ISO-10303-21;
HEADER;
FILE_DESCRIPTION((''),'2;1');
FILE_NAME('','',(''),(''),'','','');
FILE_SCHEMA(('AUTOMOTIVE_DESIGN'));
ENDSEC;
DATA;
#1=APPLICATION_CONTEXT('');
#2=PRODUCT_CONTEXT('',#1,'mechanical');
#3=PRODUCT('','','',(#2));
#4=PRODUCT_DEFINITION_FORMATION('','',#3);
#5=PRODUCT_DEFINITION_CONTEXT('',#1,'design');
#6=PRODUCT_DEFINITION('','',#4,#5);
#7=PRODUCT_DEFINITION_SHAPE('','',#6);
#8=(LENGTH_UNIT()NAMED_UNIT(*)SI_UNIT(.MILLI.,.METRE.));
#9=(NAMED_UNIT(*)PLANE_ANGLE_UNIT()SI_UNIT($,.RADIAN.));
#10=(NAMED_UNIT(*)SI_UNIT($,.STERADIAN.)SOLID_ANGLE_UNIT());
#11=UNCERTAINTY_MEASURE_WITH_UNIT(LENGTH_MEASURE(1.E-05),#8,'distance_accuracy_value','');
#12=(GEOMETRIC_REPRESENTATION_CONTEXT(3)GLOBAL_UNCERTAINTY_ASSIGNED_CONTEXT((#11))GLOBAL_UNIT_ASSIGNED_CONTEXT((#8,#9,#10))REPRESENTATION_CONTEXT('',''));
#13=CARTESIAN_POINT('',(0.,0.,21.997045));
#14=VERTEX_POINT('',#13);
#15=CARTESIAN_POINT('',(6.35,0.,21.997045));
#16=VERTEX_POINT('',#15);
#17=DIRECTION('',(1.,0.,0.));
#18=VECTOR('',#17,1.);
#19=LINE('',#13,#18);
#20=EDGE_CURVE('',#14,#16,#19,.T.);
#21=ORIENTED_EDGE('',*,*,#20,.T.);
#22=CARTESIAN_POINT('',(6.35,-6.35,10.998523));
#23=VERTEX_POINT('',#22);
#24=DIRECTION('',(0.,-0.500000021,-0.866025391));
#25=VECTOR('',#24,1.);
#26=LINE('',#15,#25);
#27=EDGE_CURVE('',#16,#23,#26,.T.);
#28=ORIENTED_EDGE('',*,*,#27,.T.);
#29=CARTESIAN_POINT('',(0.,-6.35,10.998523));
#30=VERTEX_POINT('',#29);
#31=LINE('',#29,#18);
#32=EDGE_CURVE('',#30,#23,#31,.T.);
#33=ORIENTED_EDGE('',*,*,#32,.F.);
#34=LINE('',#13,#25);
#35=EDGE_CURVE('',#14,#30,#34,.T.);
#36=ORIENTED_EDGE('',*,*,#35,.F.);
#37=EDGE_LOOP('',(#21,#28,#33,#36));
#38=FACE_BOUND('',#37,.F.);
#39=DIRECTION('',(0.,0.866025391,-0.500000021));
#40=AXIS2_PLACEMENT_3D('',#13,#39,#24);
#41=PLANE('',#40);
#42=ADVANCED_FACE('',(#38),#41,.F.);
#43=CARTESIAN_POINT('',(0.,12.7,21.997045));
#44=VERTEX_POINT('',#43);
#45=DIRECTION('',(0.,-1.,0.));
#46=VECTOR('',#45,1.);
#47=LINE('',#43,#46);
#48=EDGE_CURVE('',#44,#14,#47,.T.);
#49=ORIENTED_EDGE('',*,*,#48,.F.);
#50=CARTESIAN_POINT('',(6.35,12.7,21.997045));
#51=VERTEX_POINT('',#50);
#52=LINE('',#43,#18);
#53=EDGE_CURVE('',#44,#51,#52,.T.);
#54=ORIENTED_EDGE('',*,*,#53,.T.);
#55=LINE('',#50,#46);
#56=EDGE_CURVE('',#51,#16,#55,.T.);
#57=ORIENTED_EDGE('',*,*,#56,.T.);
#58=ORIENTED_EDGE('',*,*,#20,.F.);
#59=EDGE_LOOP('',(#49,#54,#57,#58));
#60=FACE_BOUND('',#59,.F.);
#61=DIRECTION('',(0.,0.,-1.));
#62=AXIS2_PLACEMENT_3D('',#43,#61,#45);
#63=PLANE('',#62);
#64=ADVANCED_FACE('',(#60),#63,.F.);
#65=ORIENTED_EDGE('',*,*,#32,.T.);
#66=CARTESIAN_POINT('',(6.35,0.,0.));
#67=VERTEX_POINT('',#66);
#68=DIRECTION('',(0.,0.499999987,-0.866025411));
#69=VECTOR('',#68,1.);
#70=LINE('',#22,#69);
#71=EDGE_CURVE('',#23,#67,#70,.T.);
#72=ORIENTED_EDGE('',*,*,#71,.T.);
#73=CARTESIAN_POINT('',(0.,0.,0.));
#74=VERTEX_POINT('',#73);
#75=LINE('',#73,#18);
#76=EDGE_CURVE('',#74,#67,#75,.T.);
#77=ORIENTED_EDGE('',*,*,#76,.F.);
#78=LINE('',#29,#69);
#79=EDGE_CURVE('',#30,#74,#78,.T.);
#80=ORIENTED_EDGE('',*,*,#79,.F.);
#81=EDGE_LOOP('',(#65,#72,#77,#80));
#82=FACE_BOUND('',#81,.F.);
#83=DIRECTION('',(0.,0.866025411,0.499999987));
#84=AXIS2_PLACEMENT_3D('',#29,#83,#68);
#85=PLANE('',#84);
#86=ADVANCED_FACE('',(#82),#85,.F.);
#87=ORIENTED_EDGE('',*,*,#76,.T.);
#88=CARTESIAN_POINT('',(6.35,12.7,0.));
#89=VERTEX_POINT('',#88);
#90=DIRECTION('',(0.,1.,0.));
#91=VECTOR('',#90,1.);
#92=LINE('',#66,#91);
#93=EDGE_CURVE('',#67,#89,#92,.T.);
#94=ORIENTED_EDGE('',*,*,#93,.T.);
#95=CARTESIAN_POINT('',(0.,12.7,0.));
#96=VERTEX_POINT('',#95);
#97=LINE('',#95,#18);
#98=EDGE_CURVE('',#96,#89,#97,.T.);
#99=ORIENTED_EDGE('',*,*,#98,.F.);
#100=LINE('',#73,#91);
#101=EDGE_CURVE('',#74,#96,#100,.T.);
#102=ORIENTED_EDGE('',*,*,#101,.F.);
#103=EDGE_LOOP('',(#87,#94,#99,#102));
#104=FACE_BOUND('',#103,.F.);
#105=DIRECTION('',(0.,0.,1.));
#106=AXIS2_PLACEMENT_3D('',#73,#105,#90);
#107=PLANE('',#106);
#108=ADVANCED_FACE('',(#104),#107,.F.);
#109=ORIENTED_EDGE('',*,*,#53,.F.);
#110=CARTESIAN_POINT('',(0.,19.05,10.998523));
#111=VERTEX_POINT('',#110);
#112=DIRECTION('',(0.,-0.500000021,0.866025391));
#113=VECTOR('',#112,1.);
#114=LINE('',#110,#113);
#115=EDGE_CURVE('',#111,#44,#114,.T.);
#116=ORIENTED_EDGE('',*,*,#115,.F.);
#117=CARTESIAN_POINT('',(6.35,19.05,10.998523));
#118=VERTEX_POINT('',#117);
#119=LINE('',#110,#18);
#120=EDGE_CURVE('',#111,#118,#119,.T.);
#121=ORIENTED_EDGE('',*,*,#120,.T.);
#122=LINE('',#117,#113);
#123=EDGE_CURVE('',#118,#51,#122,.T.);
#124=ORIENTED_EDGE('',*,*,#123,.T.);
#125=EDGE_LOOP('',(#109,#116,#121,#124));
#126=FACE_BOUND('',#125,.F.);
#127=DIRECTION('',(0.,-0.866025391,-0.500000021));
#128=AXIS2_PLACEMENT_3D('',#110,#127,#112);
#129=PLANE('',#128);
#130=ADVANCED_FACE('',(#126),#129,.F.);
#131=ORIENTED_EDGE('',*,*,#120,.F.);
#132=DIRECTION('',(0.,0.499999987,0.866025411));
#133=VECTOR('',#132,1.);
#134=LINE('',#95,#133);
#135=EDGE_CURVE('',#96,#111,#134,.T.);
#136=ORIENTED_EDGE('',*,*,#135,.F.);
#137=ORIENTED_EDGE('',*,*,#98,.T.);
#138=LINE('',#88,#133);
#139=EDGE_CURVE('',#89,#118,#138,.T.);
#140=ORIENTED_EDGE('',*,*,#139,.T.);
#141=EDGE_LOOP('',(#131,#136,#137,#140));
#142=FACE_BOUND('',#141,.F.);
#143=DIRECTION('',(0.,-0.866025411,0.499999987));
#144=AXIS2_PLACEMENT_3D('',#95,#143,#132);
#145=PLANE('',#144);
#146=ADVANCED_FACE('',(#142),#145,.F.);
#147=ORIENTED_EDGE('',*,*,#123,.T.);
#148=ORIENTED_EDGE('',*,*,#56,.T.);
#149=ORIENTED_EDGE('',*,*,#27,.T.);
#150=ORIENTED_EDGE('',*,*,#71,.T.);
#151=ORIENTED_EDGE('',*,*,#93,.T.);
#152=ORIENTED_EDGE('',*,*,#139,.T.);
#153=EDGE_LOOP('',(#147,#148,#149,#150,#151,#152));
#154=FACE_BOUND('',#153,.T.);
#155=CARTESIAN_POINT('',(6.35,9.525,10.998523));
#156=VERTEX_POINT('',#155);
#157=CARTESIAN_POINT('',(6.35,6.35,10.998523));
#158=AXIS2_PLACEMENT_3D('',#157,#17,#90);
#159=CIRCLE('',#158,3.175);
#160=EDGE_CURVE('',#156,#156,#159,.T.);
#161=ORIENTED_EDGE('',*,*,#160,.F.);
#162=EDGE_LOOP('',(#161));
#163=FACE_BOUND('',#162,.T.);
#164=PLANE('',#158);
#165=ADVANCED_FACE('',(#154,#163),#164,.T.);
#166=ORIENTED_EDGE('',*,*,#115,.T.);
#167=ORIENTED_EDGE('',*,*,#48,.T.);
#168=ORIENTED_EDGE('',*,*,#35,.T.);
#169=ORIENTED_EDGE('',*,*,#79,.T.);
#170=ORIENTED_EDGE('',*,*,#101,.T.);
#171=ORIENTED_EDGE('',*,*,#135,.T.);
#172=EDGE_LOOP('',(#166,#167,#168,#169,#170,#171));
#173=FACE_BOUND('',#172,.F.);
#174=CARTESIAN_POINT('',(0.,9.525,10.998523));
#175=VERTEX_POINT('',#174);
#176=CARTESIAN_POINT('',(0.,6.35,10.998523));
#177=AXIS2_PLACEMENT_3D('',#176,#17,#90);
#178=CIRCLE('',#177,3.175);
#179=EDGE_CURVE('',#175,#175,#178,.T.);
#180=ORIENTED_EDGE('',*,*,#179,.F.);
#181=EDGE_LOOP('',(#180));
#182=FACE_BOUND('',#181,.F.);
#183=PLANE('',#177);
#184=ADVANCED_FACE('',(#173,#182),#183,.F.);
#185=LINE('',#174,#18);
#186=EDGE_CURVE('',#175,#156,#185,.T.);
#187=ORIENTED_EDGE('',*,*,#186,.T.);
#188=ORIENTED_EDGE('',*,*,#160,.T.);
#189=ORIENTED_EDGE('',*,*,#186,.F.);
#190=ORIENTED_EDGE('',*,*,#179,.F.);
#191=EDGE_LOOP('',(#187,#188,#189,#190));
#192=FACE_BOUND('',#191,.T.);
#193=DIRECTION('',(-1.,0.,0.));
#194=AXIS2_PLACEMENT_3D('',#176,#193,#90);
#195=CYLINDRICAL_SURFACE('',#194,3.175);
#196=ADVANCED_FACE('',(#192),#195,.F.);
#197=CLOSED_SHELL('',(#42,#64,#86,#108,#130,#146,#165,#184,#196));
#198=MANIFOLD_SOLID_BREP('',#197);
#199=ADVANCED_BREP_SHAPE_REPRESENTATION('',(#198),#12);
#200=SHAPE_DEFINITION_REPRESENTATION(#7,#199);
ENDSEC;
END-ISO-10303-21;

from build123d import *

# Parameters (mm, degrees)
F0_R     = 3.175
F1_DEPTH = 6.35


with BuildPart() as f1:
    # F0 (on Right) → F1 (new body)
    with BuildSketch(Plane.YZ):
        Polygon((-6.35, 10.998523), (0, 0), (12.7, 0), (19.05, 10.998523), (12.7, 21.997045), (0, 21.997045), align=None)
        with Locations((6.35, 10.998523)):
            Circle(F0_R, mode=Mode.SUBTRACT)
    extrude(amount=F1_DEPTH)


solid = f1.part
